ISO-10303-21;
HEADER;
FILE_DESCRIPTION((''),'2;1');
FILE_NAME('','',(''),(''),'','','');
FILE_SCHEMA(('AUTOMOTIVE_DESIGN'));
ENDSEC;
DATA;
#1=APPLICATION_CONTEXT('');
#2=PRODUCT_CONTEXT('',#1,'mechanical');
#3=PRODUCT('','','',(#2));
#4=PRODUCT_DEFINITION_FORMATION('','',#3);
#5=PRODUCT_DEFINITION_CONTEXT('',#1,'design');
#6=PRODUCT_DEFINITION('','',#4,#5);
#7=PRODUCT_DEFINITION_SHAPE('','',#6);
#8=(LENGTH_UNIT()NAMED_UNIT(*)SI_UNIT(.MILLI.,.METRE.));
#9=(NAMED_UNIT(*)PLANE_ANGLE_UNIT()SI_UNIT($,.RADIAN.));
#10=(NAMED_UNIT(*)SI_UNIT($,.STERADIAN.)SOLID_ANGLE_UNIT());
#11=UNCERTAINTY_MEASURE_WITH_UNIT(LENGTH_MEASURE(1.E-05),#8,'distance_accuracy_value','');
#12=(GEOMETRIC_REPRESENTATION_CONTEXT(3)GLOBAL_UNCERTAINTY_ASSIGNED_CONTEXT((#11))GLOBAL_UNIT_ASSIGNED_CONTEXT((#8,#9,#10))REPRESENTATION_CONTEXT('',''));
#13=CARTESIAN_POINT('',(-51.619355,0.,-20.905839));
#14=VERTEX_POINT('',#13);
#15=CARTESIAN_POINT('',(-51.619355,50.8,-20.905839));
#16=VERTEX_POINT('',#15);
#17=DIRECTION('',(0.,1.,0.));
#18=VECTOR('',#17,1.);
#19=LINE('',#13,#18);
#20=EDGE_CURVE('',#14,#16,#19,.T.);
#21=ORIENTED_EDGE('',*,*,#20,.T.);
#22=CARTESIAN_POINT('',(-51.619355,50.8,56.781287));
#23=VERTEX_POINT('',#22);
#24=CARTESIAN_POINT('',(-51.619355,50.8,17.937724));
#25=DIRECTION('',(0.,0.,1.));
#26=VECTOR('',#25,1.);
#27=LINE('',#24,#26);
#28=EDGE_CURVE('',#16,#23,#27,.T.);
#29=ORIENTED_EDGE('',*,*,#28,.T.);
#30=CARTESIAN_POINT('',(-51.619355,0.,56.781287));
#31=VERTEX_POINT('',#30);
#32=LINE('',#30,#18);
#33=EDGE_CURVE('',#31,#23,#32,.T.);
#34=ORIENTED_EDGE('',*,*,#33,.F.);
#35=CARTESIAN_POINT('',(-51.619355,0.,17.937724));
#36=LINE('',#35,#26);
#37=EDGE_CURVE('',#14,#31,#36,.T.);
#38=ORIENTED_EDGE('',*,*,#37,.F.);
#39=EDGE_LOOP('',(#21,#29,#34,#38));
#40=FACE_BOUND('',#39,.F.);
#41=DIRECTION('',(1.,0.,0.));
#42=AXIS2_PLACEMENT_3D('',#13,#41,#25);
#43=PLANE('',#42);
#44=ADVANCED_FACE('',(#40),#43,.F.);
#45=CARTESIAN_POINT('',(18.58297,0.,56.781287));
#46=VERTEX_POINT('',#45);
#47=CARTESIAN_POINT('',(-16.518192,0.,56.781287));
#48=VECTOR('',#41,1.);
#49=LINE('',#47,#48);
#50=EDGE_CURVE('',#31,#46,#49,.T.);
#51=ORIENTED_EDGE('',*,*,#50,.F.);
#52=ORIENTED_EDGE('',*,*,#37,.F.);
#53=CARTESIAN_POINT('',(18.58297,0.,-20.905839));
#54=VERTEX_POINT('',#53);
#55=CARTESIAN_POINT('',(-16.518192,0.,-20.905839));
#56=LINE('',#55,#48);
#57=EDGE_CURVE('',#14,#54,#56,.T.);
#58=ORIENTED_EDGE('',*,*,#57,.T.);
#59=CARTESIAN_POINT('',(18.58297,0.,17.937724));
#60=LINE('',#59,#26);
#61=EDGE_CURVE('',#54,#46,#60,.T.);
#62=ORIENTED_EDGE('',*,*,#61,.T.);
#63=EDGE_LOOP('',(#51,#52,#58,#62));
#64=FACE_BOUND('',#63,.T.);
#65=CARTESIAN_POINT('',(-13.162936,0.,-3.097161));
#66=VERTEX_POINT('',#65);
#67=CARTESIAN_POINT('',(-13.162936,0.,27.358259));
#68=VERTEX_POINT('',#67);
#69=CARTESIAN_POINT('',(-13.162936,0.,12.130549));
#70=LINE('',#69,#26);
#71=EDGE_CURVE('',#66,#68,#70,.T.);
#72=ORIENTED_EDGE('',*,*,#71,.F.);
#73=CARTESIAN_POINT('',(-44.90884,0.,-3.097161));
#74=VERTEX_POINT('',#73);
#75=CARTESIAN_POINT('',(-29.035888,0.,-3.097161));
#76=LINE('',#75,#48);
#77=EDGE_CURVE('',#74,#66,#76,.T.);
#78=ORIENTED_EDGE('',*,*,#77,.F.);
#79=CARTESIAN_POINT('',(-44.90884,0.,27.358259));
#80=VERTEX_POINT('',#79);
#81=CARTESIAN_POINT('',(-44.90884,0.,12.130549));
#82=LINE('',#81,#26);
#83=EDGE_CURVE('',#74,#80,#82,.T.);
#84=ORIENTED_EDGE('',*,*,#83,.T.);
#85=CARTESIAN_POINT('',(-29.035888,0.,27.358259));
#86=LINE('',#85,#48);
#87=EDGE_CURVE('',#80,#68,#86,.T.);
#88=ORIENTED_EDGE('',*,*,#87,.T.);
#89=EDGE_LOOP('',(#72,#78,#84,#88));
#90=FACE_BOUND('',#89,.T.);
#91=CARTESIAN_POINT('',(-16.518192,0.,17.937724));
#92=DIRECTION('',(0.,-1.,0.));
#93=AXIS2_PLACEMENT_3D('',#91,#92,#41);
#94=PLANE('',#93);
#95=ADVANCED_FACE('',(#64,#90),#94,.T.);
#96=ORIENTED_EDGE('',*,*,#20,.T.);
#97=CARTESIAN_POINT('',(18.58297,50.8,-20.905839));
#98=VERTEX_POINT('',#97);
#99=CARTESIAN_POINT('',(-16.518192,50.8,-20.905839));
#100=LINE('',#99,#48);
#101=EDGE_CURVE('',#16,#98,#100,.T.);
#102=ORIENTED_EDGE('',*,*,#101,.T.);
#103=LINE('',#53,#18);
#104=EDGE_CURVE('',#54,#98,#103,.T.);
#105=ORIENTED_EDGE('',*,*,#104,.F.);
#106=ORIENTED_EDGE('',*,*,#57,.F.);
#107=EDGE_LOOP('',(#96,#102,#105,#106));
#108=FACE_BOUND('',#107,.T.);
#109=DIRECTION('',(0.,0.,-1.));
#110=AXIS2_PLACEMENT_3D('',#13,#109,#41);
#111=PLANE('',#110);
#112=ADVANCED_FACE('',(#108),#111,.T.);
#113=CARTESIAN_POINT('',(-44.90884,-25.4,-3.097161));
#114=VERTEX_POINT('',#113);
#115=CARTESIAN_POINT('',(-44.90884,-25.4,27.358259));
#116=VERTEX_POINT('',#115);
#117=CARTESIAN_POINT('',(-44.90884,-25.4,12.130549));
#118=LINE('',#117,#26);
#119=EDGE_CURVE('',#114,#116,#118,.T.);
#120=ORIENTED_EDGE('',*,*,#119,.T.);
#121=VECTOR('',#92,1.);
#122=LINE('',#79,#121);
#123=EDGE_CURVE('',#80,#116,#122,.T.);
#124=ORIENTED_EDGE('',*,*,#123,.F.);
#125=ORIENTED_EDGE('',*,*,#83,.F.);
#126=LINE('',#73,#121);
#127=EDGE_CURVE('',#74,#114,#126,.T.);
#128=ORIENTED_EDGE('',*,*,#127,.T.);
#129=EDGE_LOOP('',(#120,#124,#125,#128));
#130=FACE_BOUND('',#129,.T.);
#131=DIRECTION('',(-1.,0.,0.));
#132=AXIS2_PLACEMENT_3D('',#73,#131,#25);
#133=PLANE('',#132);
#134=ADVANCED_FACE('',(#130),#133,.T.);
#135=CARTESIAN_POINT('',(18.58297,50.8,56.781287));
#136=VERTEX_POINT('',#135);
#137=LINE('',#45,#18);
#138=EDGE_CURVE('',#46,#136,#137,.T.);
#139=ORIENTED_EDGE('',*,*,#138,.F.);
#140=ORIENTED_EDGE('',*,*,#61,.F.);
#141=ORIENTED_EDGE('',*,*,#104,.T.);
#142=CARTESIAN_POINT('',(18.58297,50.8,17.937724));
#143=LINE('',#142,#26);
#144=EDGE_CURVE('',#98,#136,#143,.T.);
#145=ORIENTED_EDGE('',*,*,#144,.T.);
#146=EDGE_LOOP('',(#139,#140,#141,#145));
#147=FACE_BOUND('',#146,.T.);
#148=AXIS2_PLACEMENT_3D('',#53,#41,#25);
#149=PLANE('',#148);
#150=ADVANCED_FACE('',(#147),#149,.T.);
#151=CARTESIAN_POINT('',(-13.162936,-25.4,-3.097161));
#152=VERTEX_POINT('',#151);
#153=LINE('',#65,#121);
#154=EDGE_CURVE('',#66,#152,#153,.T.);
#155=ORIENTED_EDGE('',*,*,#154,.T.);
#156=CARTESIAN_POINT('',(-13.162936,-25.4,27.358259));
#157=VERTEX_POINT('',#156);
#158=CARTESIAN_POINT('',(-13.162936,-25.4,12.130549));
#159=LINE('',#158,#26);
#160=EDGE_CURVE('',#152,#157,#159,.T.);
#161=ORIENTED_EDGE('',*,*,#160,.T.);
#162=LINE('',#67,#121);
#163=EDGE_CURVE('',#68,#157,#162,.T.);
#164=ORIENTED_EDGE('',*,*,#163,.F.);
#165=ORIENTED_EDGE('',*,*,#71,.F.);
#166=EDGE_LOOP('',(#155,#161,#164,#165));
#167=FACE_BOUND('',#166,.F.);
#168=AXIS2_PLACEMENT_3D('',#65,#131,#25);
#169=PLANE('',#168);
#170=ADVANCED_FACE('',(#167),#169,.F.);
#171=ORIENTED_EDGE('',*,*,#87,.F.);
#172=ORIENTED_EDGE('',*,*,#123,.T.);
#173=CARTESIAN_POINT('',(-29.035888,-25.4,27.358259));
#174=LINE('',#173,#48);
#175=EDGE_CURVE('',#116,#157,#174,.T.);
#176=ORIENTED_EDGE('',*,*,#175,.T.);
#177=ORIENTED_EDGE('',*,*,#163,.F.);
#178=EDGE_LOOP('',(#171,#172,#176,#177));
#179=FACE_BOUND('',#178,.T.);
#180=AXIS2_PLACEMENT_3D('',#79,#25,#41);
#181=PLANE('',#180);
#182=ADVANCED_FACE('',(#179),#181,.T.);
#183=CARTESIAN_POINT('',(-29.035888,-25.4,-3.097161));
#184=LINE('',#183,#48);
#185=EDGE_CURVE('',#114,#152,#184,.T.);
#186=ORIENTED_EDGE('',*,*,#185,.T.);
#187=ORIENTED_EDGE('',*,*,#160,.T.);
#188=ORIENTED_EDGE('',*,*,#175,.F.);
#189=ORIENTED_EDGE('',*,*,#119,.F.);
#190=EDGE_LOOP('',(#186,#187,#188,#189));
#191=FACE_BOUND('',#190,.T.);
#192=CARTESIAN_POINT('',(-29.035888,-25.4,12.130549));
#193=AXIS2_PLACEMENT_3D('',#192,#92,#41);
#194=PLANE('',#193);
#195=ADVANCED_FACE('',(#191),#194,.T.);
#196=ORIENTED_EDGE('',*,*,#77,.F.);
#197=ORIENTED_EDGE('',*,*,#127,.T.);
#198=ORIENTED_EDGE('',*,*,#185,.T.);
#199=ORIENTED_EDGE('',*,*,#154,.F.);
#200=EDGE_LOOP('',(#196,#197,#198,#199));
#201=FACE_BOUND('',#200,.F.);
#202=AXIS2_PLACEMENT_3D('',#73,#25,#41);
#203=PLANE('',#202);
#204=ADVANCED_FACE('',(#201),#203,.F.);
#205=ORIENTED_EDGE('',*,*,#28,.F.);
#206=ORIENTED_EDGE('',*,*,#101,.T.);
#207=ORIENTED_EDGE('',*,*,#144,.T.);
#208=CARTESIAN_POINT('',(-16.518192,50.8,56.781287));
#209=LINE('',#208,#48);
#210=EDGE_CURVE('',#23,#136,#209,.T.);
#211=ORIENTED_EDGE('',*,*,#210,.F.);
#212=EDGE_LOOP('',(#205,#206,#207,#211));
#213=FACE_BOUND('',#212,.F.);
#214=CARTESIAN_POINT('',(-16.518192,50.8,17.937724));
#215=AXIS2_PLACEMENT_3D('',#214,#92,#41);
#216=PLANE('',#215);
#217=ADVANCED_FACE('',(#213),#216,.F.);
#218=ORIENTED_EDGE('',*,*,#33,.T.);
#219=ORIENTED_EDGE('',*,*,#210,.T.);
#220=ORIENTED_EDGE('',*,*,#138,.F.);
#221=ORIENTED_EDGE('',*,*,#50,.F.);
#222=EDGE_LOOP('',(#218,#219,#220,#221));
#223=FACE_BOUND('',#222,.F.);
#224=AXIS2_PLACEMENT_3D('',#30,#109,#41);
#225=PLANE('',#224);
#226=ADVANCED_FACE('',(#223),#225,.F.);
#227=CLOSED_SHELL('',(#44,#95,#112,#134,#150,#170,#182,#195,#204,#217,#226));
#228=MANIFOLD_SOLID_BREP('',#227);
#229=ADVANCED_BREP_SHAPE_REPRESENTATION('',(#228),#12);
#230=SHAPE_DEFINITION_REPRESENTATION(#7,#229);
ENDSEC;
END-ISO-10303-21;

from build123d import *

# Parameters (mm, degrees)
F0_W     = 70.202325
F0_H     = 77.687127
F0_W_2   = 41.811679
F0_H_2   = 39.230711
F1_DEPTH = 50.8
F2_W     = 31.745904
F2_H     = 30.455421
F3_DEPTH = 25.4


with BuildPart() as f1:
    # F0 (on Front) → F1 (new body)
    with BuildSketch(Plane.XZ):
        with Locations((-16.518192, 17.937724)):
            Rectangle(F0_W, F0_H)
        with Locations((-27.100162, 8.001)):
            Rectangle(F0_W_2, F0_H_2, mode=Mode.SUBTRACT)
        with Locations((-27.100162, 8.001)):
            Rectangle(F0_W_2, F0_H_2)
    extrude(amount=-F1_DEPTH)

    # F2 (on face) → F3 (join)
    with BuildSketch(Plane.XZ):
        with Locations((-29.035888, 12.130549)):
            Rectangle(F2_W, F2_H)
    extrude(amount=F3_DEPTH)


solid = f1.part
